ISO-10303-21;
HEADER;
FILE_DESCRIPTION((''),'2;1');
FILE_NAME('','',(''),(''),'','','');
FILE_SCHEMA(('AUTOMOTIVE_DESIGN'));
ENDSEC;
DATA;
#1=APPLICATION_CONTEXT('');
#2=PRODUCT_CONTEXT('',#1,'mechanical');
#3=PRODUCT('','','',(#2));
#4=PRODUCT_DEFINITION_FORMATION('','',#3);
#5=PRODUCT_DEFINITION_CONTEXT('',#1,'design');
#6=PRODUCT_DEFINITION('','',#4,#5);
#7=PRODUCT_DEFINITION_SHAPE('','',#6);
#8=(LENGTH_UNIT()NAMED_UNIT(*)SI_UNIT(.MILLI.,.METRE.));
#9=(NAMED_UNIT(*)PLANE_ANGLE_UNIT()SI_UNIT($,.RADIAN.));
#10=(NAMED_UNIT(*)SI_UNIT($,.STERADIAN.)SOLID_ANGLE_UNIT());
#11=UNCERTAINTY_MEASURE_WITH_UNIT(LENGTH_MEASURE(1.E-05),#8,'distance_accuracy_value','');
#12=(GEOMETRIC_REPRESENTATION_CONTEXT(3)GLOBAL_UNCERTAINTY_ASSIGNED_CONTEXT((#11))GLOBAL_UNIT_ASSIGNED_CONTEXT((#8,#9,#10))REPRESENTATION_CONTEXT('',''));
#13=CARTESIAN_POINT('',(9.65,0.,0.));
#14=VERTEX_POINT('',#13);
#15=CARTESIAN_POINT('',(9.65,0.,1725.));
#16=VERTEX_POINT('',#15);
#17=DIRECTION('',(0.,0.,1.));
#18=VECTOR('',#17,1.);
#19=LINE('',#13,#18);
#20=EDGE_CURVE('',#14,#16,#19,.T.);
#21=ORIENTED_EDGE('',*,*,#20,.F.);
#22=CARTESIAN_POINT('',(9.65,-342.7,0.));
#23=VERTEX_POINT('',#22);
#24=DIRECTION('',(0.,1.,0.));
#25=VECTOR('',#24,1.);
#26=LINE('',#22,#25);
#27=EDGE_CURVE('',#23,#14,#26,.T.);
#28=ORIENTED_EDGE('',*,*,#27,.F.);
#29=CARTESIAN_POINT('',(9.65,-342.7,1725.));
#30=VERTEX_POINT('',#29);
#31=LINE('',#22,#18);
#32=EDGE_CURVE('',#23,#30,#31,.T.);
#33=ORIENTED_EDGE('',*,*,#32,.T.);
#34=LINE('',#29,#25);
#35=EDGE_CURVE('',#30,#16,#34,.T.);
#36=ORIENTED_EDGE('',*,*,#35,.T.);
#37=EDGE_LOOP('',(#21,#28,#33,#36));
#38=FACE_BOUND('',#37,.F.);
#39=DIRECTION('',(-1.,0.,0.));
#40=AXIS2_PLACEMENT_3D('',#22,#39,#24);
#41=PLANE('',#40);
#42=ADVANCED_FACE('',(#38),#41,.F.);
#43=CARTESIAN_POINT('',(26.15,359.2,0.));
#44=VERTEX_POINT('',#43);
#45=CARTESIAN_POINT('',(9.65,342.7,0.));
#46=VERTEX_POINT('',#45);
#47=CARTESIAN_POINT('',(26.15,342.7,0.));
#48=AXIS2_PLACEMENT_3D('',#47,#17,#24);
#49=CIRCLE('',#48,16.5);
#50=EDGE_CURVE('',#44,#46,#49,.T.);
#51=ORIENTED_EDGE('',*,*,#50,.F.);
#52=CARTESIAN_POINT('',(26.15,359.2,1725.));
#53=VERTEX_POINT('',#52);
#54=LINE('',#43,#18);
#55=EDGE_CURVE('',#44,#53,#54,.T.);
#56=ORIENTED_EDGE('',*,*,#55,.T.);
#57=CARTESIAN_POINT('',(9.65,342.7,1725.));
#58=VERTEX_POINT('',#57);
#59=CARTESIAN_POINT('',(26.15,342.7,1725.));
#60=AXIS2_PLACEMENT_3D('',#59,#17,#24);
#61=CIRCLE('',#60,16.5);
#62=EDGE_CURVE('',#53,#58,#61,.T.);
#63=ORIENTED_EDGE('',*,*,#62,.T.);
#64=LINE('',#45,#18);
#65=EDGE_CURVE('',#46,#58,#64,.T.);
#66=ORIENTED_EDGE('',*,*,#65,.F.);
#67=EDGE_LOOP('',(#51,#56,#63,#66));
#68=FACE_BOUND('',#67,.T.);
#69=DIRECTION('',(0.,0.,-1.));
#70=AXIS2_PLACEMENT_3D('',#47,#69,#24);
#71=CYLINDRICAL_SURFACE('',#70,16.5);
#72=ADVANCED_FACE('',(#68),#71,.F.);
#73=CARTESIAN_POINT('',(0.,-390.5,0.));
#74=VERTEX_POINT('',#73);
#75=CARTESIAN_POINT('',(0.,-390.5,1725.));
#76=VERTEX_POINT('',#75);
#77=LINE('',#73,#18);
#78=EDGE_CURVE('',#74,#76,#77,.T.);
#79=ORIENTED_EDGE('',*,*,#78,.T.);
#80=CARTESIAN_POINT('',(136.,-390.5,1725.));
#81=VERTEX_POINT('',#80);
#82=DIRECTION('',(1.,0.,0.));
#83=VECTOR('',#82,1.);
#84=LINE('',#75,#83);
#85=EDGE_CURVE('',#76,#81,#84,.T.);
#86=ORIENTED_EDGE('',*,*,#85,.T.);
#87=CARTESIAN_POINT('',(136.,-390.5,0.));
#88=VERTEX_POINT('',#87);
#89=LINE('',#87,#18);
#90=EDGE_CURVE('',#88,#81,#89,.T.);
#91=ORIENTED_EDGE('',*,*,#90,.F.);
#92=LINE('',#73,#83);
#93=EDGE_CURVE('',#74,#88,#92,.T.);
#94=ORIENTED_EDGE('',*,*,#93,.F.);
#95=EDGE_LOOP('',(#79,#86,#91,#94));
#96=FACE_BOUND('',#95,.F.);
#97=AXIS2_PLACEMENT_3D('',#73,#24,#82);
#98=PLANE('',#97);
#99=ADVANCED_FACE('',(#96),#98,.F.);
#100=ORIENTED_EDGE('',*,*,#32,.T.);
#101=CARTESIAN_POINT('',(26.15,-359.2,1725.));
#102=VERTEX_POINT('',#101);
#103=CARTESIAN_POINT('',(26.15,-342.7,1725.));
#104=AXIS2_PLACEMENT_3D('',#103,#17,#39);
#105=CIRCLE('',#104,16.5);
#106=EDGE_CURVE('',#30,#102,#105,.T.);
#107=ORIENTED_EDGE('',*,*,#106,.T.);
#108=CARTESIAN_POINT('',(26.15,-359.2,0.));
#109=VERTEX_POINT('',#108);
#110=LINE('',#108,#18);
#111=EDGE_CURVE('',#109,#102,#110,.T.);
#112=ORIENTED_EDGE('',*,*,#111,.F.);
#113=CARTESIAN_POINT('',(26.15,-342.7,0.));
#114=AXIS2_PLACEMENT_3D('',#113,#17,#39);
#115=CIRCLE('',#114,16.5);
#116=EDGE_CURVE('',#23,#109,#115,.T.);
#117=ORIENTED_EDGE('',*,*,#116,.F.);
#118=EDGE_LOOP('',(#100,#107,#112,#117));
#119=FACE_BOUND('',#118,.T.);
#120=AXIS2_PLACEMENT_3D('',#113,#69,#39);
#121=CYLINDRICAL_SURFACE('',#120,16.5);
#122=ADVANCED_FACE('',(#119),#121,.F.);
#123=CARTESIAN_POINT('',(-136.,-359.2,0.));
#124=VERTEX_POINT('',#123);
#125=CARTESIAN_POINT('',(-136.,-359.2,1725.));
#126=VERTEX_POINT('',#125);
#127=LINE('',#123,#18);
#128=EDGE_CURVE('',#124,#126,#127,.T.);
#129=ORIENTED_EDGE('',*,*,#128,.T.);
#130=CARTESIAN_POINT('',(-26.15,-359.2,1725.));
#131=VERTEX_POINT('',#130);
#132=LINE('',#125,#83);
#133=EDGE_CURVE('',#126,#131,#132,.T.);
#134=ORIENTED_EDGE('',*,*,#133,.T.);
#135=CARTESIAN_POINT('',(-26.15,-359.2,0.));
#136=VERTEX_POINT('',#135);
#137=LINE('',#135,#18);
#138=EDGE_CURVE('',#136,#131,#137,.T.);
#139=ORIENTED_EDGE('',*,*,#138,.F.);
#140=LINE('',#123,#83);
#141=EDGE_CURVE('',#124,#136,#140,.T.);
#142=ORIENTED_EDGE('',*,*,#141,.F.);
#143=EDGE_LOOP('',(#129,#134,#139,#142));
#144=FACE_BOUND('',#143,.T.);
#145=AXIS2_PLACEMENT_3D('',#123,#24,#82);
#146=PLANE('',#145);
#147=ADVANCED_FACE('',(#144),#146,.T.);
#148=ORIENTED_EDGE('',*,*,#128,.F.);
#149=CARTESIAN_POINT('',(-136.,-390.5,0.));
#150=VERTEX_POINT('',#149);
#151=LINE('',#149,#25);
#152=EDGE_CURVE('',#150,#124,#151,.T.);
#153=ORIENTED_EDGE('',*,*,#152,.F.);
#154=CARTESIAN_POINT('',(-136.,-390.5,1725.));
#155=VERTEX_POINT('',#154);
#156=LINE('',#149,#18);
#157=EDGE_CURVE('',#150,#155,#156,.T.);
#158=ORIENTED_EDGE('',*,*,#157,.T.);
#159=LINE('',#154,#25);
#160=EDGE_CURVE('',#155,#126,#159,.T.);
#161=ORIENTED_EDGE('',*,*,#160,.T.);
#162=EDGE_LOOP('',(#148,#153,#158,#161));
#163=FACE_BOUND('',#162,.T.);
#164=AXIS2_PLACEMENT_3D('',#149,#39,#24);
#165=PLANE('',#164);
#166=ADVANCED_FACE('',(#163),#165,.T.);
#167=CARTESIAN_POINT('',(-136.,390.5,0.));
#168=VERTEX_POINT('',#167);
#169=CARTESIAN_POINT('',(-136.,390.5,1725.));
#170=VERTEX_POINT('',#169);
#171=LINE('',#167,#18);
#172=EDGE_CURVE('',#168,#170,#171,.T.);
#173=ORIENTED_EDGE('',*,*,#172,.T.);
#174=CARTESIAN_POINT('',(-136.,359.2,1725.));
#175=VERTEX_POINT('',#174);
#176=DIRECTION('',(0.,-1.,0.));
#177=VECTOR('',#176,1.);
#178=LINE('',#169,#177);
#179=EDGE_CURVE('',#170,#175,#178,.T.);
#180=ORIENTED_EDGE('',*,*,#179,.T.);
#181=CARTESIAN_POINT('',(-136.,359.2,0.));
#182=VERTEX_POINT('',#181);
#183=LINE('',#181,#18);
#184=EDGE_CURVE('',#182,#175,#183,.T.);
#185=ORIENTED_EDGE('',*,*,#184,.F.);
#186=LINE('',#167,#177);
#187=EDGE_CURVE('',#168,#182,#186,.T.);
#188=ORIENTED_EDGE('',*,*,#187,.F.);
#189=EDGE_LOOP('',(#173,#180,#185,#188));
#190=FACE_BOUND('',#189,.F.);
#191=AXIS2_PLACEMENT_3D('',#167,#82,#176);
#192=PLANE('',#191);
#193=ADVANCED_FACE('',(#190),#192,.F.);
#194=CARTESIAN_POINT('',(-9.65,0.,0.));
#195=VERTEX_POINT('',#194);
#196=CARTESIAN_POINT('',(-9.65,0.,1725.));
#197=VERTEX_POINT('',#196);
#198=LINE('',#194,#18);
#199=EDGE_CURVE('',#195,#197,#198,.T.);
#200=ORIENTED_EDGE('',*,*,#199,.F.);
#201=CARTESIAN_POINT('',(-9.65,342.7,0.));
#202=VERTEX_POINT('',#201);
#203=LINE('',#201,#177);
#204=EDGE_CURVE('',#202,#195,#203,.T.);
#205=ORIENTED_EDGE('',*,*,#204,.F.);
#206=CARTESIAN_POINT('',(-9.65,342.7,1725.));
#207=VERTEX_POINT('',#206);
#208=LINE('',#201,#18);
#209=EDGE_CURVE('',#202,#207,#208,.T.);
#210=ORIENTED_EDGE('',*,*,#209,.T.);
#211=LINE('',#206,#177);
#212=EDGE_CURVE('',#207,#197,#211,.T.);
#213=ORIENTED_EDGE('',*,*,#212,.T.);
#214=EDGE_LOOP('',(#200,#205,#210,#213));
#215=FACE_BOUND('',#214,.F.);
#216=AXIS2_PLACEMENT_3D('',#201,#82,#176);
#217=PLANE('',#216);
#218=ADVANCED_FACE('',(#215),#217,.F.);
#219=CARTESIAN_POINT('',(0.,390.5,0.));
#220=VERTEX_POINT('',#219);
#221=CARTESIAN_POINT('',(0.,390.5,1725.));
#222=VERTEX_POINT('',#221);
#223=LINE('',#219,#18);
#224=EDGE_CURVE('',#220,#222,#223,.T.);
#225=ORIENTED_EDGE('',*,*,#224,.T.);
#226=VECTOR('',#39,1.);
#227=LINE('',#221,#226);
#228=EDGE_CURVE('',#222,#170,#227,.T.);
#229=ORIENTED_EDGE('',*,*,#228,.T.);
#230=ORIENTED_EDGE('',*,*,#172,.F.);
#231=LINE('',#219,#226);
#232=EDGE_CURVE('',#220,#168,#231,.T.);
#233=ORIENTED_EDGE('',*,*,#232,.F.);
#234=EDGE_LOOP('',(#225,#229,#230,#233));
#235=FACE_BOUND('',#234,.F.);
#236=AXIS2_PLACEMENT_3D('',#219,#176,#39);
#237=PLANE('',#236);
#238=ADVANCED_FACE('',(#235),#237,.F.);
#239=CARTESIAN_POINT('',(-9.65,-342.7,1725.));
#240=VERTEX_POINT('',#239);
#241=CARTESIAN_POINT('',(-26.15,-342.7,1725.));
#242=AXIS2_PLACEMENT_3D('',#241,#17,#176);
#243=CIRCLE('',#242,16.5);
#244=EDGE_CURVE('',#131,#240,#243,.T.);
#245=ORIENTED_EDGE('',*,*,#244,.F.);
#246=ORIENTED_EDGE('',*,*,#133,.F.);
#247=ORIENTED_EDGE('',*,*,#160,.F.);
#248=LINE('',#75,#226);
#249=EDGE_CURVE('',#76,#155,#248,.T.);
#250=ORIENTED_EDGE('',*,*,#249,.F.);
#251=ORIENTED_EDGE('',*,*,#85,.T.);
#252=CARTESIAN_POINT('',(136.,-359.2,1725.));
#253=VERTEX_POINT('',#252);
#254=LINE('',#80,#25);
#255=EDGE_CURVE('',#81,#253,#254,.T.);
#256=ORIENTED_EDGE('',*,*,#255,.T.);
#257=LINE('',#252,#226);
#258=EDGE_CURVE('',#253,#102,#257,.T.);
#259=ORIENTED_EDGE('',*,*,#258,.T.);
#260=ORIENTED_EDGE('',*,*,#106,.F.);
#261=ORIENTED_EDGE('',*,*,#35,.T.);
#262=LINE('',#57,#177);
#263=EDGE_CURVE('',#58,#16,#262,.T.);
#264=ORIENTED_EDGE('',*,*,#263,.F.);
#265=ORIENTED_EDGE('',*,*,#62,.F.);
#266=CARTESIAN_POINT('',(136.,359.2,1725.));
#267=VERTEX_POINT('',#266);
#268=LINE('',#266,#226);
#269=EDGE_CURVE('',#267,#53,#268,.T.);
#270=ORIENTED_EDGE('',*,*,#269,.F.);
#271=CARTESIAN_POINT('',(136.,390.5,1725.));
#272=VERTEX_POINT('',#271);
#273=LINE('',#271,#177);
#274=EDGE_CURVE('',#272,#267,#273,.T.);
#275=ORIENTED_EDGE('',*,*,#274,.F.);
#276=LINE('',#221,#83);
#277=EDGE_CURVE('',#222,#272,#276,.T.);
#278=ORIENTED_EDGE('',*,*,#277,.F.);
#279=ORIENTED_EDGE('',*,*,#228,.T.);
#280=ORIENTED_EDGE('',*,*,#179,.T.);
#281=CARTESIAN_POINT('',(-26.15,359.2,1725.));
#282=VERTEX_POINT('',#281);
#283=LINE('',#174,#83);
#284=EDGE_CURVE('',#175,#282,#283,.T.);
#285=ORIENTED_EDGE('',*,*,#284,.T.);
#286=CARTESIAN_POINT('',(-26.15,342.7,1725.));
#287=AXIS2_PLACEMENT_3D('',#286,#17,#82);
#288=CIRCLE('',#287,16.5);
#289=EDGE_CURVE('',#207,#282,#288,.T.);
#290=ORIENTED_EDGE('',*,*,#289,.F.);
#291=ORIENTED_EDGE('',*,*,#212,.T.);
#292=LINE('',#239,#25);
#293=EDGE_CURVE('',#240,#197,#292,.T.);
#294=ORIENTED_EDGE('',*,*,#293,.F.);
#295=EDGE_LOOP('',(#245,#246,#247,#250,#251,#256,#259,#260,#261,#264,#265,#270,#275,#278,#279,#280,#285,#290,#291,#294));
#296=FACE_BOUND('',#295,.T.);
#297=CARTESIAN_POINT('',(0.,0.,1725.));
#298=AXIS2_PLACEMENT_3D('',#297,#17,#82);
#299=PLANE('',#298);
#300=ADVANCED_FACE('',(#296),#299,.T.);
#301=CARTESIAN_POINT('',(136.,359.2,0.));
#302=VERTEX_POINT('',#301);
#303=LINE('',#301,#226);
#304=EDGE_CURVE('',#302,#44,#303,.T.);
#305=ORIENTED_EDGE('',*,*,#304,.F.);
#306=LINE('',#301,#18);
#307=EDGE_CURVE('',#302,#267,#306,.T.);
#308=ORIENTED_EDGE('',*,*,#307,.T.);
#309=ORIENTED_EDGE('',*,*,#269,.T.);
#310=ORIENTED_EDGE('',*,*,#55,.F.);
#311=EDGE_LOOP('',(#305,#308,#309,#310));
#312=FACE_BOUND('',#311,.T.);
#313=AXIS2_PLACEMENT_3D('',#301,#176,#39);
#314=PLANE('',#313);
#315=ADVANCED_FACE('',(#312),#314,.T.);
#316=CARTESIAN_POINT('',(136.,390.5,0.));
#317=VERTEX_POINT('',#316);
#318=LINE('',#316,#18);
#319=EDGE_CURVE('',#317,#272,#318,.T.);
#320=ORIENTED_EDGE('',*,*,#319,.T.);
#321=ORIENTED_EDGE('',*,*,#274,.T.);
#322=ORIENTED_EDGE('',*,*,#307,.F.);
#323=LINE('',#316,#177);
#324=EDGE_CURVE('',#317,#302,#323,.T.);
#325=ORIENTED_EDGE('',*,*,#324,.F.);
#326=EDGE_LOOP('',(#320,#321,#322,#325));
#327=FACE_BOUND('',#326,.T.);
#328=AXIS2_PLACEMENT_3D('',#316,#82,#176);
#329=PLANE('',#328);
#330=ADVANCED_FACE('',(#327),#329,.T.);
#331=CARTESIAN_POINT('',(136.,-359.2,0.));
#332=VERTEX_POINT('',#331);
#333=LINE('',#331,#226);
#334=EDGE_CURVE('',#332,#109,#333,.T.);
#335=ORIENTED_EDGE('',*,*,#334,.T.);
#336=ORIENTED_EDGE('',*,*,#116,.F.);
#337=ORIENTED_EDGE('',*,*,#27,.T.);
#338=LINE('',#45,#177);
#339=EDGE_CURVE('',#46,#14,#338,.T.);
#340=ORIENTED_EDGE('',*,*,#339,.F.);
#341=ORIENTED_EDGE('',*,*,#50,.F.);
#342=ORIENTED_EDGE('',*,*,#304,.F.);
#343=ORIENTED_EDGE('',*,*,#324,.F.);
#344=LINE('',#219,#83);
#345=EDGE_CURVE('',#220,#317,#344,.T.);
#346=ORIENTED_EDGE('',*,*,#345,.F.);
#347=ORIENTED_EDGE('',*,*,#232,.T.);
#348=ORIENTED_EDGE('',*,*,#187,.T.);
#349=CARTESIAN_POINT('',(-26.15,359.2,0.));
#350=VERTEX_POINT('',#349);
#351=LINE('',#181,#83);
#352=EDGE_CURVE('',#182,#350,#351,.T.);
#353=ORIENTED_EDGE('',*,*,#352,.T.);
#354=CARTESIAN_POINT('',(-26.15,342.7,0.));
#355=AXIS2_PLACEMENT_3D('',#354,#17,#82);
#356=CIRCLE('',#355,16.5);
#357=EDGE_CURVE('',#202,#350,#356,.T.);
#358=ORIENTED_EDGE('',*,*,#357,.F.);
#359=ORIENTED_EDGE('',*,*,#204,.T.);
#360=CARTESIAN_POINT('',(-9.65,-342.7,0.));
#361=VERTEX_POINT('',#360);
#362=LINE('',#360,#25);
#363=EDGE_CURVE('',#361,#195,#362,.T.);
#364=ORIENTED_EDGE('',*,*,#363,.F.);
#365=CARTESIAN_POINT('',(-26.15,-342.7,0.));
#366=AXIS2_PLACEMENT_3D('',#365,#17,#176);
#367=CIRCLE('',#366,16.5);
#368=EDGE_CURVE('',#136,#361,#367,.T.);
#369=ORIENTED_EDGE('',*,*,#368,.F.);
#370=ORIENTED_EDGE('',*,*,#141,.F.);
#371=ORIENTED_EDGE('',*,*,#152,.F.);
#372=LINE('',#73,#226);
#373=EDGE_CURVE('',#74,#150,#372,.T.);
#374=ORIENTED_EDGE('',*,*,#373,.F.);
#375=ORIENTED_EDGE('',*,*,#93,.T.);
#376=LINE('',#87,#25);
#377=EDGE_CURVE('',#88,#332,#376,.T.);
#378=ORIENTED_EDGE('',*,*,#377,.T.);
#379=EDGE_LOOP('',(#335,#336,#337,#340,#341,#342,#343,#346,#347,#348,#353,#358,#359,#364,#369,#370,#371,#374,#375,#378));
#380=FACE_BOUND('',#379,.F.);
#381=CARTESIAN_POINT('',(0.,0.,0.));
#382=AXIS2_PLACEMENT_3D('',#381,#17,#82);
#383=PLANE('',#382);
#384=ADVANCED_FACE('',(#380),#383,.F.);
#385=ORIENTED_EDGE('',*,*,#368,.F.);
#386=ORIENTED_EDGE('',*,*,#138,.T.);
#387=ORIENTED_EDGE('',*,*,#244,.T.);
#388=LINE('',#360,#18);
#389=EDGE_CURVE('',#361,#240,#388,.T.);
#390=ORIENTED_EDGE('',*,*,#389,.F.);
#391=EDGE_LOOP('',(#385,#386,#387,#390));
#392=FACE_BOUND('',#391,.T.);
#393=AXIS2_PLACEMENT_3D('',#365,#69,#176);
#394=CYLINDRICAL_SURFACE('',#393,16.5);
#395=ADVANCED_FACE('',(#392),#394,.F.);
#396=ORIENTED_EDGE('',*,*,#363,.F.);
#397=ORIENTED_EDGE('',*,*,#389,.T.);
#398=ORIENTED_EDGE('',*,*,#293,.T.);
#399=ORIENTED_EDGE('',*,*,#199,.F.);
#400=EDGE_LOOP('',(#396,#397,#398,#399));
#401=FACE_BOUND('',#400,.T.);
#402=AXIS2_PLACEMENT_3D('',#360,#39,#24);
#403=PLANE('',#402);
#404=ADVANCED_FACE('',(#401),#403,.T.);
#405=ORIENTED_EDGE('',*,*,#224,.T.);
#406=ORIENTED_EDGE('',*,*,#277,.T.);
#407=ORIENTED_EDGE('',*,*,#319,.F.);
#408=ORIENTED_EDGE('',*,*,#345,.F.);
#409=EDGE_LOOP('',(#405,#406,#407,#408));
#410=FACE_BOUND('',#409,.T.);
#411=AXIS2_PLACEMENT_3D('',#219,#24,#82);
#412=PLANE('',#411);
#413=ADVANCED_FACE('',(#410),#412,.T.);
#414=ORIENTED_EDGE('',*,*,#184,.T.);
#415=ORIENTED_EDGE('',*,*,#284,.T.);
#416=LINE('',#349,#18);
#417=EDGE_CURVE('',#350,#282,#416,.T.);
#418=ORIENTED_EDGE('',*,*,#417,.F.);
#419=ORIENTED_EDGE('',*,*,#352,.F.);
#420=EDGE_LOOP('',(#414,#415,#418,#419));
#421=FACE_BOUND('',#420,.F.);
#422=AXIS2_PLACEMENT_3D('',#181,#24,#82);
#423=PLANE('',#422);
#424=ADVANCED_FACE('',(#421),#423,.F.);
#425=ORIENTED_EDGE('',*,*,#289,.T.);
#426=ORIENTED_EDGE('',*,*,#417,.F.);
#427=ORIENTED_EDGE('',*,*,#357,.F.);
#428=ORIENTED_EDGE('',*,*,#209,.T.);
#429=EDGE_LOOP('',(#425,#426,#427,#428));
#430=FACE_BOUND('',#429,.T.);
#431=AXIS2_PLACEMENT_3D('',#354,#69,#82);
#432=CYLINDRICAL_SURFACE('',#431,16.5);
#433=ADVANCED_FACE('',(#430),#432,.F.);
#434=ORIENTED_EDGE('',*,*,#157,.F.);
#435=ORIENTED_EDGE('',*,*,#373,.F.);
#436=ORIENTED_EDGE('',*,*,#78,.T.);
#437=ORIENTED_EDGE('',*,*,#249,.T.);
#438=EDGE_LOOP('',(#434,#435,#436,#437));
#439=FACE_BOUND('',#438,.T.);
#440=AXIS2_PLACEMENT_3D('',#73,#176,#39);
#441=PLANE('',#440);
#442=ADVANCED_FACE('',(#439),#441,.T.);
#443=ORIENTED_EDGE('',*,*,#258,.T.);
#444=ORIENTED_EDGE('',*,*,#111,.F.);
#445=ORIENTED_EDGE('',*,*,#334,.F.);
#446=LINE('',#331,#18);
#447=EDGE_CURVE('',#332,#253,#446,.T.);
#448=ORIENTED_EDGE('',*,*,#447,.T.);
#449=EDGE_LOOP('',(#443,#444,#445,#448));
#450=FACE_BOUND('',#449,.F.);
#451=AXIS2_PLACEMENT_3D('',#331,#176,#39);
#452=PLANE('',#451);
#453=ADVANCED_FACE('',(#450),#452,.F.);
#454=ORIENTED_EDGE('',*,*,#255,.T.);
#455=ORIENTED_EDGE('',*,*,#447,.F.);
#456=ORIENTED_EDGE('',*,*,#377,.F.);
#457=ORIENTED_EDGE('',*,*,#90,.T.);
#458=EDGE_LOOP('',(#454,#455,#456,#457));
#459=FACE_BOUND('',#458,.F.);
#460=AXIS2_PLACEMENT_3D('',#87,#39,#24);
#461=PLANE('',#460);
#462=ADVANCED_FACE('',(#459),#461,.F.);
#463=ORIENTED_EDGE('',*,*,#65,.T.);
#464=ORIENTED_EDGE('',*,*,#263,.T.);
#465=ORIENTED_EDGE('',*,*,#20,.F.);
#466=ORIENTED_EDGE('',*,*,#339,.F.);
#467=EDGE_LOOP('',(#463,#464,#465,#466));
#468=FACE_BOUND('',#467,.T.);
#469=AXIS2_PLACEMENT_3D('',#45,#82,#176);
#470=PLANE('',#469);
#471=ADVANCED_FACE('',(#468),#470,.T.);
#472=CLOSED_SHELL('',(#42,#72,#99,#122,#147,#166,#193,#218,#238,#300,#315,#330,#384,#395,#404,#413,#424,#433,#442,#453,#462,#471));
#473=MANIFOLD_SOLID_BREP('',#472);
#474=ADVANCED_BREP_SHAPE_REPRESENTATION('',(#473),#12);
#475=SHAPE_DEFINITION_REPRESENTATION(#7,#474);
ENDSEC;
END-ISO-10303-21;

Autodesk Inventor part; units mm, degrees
ref_plane "YZ Plane" through (0, 0, 0) normal (1, 0, 0) x (0, 1, 0)
ref_plane "Start plane" through (0, 0, 0) normal (0, 0, 1) x (1, 0, 0)
ref_plane "End plane" through (0, 0, 1725) normal (0, 0, 1) x (1, 0, 0)
sketch "Sketch" plane through (0, 0, 0) normal (0, 0, 1) x (1, 0, 0)
  line L0 (-136, -390.5) -> (-136, -359.2)
  line L1 (-136, -359.2) -> (-26.15, -359.2)
  line L2 (-9.65, -342.7) -> (-9.65, 0)
  line L3 (-9.65, 0) -> (0, 0) construction
  line L4 (0, 0) -> (0, -390.5) construction
  line L5 (0, -390.5) -> (-136, -390.5)
  line L6 (-60, 0) -> (80, 0) construction
  line L7 (0, -60) -> (0, 80) construction
  line L8 (136, -390.5) -> (136, -359.2)
  line L9 (136, -359.2) -> (26.15, -359.2)
  line L10 (9.65, -342.7) -> (9.65, 0)
  line L11 (9.65, 0) -> (0, 0) construction
  line L12 (0, -390.5) -> (136, -390.5)
  line L13 (-136, 390.5) -> (-136, 359.2)
  line L14 (-136, 359.2) -> (-26.15, 359.2)
  line L15 (-9.65, 342.7) -> (-9.65, 0)
  line L16 (0, 390.5) -> (-136, 390.5)
  line L17 (136, 390.5) -> (136, 359.2)
  line L18 (136, 359.2) -> (26.15, 359.2)
  line L19 (0, 390.5) -> (136, 390.5)
  line L20 (9.65, 342.7) -> (9.65, 0)
  arc A0 (-9.65, 342.7) -> (-26.15, 359.2) centre (-26.15, 342.7) ccw
  arc A1 (26.15, 359.2) -> (9.65, 342.7) centre (26.15, 342.7) ccw
  arc A2 (9.65, -342.7) -> (26.15, -359.2) centre (26.15, -342.7) ccw
  arc A3 (-26.15, -359.2) -> (-9.65, -342.7) centre (-26.15, -342.7) ccw
  line L21 (0, 108) -> (0, -88) construction
  line L22 (-88, 0) -> (108, 0) construction
  point P0 (-9.65, -359.2)
  point P1 (9.65, -359.2)
  point P2 (-9.65, 359.2)
  point P3 (9.65, 359.2)
  dimension "d1" = 390.5
  dimension "d2" = 31.3
  dimension "d3" = 136
  dimension "d4" = 9.65
  dimension "d10" = 16.5
extrude "Body" add sketch "Sketch" along normal up to surface (1725 mm away) from surface at 0
sketch "Sketch4" plane through (0, 0, 0) normal (0, 0, 1) x (1, 0, 0)
  line L0 (0, 0) -> (10, 0)
ref_plane "Work Plane3" through (0, 0, 0) normal (0, -1, 0) x (1, 0, 0)
sketch "Sketch5" plane through (0, 0, 0) normal (0, -1, 0) x (1, 0, 0)
  line L0 (-2, 0) -> (12, 0) projected
  line L1 (-2, 1725) -> (12, 1725) projected
  dimension "d14" = 1725
equation "\"d1\" = 0.5 * G_H"
equation "\"d2\" = G_T1"
equation "\"d3\" = 0.5 * G_W"
equation "\"d4\" = 0.5 * G_T"
equation "\"d10\" = G_IR"
equation "\"d5\" = G_L"
equation "\"G_W\" = 272"
equation "\"G_H\" = 781"
equation "\"G_T\" = 19.3"
equation "\"G_T1\" = 31.3"
equation "\"G_IR\" = 16.5"
equation "\"G_L\" = d14"
equation "\"G_OFFSET_START\" = 0"
equation "\"G_OFFSET_END\" = 0"
equation "\"d12\" = G_OFFSET_END + B_L"
equation "\"B_L\" = 1725"
properties part number "AS 3679-1990 - 760 UB - 244 - 1725" material "Steel, Mild"
